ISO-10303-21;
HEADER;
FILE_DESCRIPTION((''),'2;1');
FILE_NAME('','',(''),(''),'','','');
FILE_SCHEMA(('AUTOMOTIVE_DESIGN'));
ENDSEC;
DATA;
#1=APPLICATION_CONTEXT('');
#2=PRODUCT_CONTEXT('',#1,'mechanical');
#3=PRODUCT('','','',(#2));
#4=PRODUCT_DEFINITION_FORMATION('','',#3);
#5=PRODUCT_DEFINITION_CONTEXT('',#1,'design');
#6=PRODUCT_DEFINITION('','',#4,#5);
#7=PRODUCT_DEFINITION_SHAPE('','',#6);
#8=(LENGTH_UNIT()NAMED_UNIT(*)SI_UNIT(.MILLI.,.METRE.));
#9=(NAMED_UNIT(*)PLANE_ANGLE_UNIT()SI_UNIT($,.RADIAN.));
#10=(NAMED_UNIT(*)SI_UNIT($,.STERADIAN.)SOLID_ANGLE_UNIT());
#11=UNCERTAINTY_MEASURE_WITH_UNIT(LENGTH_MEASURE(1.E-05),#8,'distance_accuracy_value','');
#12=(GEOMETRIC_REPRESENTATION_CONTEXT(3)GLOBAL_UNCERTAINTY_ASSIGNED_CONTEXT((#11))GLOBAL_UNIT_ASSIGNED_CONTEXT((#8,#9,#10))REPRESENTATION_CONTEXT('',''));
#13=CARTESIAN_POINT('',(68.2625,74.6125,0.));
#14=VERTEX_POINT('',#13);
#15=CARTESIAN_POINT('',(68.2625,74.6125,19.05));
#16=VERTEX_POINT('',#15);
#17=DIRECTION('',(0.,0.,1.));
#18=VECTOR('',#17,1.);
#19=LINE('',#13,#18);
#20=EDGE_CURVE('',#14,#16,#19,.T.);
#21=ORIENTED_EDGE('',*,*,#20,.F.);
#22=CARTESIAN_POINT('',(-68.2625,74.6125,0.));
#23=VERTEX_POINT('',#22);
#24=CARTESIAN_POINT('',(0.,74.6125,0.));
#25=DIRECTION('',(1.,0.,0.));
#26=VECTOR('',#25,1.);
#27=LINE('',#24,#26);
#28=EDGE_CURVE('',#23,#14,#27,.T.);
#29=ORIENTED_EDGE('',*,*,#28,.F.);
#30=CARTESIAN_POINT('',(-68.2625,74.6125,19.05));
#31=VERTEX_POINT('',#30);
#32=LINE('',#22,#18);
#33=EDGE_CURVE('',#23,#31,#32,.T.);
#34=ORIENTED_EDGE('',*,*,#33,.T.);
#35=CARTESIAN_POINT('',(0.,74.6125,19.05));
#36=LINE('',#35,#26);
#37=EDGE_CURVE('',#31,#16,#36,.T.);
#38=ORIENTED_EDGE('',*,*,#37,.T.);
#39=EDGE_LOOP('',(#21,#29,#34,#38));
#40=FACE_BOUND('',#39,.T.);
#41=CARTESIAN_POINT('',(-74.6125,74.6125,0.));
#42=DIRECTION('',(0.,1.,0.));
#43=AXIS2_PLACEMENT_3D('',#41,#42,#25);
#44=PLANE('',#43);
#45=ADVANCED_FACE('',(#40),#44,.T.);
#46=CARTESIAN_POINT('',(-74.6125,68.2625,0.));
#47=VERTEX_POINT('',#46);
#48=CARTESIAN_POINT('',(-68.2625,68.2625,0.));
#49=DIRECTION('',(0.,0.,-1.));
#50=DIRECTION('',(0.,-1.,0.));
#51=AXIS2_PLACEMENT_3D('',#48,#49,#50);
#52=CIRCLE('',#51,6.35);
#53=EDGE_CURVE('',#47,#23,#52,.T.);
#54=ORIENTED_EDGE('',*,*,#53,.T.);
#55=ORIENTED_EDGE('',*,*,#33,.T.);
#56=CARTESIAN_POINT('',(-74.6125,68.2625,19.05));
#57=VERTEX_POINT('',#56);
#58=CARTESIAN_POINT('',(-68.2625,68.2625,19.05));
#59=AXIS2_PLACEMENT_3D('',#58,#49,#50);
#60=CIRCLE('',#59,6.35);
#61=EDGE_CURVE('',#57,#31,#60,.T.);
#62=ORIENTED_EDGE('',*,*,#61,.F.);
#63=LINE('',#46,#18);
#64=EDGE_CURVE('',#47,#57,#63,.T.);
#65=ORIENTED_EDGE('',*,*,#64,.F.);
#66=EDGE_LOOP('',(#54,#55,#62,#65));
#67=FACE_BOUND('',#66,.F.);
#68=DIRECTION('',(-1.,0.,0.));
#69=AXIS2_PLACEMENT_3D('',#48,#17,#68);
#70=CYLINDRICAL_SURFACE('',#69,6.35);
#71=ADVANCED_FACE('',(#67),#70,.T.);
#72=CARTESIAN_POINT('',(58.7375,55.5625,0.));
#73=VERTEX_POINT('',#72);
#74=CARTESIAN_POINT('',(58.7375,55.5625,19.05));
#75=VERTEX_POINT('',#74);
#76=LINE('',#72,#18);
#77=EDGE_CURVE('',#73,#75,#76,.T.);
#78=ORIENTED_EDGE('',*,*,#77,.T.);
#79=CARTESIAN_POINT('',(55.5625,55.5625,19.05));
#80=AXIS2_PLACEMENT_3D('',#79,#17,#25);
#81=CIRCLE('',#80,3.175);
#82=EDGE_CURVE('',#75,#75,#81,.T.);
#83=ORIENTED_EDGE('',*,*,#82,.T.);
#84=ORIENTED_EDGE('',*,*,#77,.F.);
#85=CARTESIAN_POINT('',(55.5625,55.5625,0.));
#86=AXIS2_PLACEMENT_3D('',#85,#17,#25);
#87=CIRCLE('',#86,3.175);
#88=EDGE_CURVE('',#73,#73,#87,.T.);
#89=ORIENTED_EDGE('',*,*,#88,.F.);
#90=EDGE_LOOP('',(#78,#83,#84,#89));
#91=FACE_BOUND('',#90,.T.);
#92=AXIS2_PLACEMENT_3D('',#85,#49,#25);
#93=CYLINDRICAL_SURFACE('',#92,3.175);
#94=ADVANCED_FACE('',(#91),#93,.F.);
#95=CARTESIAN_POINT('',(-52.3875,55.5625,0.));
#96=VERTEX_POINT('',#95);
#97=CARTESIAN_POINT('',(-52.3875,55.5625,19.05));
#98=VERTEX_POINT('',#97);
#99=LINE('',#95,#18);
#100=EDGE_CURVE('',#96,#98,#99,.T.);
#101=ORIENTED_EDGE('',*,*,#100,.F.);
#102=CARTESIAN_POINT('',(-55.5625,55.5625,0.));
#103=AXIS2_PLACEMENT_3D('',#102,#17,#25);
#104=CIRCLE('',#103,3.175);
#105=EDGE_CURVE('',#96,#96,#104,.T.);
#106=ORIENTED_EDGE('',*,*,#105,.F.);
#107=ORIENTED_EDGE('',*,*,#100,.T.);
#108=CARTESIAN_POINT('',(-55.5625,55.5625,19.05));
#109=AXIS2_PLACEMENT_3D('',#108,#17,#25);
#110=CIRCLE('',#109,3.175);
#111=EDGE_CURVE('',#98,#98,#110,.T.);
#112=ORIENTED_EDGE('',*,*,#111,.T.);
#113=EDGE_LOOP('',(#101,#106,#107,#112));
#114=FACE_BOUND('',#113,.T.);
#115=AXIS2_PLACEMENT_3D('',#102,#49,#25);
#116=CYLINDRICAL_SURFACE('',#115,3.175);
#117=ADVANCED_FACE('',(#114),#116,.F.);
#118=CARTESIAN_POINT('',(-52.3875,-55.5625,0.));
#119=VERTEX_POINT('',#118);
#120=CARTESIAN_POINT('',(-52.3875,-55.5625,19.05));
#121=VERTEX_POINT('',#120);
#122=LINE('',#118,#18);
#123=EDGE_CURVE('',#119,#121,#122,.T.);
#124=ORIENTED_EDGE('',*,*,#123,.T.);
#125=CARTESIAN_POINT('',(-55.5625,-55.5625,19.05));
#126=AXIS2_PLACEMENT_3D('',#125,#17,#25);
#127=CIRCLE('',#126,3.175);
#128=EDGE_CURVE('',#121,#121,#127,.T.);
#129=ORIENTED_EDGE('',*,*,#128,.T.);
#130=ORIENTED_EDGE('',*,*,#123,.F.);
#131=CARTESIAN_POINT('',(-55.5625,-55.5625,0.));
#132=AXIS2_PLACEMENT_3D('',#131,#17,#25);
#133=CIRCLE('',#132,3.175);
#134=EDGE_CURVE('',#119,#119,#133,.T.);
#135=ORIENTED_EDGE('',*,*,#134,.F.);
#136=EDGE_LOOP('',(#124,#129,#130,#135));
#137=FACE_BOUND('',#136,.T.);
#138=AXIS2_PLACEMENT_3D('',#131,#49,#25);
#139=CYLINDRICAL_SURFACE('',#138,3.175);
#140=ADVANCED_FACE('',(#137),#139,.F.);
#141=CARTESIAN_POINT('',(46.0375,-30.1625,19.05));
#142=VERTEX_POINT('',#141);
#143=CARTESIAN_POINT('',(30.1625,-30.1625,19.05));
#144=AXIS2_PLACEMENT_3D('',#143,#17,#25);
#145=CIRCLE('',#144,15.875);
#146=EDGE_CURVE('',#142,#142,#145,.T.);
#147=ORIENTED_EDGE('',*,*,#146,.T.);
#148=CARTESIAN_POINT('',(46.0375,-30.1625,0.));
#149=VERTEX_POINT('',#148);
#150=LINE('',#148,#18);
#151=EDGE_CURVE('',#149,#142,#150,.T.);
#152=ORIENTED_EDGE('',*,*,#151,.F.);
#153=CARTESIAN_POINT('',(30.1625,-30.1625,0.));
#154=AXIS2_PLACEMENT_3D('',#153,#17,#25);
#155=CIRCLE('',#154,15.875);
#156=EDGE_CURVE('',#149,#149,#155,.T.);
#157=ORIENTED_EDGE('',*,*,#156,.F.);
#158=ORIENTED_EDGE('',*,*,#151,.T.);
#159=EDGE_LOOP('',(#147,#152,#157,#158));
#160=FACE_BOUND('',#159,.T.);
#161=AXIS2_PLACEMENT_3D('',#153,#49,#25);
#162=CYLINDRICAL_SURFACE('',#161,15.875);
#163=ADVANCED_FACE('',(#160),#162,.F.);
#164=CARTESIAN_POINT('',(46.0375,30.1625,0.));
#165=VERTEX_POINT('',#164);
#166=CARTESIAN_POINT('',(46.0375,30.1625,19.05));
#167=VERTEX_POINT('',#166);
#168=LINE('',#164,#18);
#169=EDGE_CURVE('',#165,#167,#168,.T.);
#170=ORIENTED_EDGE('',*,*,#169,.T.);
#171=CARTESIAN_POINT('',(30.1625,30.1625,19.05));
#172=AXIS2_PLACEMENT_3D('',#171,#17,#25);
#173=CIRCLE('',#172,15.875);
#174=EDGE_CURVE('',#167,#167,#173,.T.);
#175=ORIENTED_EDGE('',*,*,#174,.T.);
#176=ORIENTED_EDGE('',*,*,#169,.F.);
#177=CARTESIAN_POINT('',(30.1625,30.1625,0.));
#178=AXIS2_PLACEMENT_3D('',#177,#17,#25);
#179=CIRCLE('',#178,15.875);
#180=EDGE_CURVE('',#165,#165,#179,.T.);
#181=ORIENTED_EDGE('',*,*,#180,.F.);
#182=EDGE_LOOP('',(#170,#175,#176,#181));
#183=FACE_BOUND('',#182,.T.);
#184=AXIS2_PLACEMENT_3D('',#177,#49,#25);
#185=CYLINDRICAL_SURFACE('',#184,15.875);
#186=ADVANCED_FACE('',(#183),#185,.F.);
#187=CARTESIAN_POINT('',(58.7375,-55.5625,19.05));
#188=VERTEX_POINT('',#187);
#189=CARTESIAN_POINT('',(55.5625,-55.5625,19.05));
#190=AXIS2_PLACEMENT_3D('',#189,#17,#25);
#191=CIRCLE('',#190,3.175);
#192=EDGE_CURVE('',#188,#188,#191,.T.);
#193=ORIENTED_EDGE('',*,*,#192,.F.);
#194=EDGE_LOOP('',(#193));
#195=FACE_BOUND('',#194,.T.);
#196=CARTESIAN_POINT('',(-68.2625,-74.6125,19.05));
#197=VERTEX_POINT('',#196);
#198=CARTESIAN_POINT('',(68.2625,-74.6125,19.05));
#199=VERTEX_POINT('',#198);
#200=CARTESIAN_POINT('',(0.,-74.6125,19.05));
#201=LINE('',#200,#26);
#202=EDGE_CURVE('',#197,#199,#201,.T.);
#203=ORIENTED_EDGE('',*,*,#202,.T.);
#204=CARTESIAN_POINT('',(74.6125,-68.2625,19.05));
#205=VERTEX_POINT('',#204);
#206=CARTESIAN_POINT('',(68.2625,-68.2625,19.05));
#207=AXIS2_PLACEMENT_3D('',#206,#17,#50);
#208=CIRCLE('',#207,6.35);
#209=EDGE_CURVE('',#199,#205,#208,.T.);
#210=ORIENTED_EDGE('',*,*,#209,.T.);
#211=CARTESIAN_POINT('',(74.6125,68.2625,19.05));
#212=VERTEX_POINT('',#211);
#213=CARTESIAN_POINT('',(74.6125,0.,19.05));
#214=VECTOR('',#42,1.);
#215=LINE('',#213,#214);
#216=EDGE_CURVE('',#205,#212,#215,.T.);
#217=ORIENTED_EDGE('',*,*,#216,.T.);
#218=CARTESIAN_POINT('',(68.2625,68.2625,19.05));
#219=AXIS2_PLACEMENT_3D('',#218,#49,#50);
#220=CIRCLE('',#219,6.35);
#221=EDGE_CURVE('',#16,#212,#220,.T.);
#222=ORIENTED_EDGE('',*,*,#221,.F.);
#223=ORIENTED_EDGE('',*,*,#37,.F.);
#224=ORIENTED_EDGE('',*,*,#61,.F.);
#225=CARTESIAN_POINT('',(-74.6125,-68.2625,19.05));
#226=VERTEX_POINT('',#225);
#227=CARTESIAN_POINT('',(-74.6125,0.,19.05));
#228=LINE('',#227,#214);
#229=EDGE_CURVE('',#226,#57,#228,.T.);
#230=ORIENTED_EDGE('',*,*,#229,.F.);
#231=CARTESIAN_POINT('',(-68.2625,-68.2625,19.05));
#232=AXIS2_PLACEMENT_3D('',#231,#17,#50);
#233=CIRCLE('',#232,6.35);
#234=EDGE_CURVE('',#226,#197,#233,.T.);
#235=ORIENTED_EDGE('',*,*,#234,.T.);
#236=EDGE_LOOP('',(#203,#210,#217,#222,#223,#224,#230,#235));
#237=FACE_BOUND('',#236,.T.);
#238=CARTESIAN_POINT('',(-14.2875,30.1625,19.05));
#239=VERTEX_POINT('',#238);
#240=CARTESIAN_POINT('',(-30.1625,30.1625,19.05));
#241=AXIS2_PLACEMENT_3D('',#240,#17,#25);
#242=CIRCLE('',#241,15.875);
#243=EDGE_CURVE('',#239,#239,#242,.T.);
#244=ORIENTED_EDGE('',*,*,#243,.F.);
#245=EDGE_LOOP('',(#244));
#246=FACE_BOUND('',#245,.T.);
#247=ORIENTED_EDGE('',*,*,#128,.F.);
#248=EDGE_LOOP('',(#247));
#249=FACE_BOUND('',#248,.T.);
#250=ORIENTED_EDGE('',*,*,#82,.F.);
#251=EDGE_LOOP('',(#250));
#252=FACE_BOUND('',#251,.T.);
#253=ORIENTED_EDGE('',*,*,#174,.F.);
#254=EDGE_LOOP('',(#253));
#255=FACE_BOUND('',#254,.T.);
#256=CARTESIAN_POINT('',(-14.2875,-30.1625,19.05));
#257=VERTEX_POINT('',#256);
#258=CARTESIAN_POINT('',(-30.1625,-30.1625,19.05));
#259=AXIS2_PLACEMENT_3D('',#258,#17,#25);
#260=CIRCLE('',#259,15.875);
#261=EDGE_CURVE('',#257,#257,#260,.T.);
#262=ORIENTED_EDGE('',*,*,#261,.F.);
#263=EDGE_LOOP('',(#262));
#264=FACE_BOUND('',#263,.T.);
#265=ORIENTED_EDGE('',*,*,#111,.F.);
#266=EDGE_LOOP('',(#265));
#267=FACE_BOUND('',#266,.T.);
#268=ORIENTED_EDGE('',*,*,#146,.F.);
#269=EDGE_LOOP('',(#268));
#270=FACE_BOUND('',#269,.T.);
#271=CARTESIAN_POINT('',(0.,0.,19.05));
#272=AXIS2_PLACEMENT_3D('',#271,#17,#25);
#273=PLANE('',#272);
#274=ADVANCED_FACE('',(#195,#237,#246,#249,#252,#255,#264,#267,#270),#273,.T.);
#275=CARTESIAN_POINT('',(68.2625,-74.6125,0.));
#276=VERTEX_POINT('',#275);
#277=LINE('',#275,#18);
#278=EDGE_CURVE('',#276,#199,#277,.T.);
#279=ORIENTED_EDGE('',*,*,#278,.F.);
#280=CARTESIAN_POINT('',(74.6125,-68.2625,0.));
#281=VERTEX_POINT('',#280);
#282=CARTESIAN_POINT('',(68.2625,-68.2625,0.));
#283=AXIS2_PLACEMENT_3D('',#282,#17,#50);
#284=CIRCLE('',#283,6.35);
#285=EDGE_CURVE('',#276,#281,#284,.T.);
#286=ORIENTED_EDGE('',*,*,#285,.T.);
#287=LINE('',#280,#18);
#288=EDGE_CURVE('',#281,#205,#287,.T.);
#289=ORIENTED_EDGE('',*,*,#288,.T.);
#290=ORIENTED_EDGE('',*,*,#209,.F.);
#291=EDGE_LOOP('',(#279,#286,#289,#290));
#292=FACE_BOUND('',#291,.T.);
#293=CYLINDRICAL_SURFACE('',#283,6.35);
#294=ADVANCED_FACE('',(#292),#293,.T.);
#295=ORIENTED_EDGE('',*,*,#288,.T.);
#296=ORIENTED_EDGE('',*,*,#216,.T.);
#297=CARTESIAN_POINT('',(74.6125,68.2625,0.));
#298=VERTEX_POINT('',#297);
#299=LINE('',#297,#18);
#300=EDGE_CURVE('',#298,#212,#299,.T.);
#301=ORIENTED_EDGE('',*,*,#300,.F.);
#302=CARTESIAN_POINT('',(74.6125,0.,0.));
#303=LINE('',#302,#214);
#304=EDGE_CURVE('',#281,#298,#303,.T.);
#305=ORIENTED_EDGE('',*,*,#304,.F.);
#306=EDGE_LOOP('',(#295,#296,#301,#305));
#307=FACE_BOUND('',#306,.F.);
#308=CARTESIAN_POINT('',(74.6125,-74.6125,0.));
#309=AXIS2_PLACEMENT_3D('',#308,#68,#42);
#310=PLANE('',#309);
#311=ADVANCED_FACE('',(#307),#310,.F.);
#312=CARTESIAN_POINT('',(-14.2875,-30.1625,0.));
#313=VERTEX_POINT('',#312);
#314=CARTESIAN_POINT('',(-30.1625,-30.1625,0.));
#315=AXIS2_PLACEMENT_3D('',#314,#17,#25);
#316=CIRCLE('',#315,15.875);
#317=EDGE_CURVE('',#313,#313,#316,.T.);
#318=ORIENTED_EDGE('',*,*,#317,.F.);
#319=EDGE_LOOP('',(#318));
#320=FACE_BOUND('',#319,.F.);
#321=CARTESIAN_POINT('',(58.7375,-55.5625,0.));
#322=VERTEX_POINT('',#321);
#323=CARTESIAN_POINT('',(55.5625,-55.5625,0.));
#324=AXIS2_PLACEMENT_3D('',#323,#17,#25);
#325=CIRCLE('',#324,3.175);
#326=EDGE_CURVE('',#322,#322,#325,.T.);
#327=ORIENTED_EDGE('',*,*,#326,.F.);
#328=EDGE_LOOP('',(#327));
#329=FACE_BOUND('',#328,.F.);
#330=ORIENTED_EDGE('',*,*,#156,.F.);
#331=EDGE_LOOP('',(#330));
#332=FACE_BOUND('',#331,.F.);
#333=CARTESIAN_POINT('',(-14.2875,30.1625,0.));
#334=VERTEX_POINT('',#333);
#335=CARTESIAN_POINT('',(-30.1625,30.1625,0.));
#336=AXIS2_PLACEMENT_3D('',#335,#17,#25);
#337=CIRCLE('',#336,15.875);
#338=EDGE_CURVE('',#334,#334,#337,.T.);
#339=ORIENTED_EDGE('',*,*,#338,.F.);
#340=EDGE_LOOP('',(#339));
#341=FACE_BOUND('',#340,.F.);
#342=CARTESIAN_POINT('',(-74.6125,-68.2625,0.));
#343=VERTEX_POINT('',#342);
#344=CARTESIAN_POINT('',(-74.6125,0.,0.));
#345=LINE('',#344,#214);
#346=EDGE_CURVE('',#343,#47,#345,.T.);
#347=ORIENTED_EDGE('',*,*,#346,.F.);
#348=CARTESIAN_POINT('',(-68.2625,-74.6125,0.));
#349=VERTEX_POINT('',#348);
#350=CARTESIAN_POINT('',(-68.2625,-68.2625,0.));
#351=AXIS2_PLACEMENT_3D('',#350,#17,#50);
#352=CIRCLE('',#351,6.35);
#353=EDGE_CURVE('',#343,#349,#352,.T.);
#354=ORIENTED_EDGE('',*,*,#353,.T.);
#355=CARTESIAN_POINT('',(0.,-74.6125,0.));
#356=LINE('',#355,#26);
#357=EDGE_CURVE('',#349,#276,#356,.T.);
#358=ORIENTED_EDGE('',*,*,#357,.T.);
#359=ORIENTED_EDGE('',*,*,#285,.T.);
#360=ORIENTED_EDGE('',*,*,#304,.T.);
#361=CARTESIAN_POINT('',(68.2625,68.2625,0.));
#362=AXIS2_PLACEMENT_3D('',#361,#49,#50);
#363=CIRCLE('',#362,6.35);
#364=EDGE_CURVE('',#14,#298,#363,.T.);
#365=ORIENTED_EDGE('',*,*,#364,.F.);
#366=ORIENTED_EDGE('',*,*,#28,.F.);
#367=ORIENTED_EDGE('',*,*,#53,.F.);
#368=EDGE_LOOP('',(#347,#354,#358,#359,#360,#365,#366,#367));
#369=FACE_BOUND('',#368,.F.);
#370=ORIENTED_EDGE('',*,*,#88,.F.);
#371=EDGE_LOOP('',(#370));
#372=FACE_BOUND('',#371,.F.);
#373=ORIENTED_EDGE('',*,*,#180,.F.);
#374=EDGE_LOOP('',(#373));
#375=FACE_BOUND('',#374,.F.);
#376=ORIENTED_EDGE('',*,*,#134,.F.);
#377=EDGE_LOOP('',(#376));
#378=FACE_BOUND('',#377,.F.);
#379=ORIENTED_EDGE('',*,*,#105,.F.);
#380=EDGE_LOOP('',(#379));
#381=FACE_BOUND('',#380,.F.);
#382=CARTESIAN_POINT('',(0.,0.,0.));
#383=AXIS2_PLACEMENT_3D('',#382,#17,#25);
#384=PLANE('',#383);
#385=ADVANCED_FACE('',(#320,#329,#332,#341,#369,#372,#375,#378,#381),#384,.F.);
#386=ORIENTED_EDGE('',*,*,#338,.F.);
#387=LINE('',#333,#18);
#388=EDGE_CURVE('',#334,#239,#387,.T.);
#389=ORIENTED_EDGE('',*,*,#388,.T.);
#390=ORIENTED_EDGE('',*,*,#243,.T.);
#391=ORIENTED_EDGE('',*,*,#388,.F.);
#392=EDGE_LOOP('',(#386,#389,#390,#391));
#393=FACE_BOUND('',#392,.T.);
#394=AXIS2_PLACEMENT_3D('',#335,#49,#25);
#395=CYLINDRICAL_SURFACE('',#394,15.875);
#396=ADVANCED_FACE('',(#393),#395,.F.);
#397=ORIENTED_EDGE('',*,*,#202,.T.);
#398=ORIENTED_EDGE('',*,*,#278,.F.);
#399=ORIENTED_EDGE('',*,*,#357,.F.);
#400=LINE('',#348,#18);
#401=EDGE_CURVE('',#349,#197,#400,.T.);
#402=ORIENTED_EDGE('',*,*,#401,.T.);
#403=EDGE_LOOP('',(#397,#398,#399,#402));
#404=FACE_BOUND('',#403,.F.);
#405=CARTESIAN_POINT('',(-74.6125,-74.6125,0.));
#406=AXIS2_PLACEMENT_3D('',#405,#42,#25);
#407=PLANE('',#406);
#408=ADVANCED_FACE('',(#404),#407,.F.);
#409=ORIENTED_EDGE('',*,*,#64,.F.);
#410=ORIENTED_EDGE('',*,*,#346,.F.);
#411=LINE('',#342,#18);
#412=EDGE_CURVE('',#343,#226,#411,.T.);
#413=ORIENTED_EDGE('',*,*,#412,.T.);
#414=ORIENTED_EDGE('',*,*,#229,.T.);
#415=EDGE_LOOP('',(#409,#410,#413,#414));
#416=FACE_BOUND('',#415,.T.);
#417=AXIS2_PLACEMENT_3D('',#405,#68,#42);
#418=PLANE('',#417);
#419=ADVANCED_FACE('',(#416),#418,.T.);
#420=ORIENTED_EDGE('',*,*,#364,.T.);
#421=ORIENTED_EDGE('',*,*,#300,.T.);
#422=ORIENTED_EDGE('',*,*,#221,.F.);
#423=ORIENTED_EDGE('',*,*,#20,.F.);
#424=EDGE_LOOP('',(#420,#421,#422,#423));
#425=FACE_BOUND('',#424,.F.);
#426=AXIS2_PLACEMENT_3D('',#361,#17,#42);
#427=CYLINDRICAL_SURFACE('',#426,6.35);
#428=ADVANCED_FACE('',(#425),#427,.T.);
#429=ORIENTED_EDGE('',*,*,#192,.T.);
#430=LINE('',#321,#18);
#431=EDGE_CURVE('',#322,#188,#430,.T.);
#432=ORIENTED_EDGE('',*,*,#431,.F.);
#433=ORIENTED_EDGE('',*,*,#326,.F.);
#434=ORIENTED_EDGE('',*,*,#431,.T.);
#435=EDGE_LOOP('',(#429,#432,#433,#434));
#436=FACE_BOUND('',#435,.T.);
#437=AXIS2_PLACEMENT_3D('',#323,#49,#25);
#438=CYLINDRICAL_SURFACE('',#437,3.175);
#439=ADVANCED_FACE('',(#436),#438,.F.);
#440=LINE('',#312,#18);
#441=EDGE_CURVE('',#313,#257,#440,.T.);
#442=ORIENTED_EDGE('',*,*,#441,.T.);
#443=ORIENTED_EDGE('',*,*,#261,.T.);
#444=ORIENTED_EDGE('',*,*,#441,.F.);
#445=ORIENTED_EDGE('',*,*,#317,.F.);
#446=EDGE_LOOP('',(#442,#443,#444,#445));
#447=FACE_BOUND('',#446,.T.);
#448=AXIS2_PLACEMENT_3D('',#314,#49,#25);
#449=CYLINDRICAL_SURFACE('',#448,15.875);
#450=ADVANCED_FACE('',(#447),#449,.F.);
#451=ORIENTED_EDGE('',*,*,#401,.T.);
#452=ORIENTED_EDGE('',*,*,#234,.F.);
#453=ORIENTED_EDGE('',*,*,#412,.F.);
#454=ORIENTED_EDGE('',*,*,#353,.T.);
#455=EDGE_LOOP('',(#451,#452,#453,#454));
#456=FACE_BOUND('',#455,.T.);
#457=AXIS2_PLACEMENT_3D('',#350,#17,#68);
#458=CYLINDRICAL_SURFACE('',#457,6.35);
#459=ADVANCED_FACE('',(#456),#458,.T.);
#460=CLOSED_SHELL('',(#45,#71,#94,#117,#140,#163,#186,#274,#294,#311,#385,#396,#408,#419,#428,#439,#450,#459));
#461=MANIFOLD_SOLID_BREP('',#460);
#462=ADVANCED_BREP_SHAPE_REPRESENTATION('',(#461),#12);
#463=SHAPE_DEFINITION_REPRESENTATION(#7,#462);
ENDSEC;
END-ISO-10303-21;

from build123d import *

# Parameters (mm, degrees)
F0_W     = 149.225
F0_H     = 149.225
F0_R     = 3.175
F0_R_2   = 15.875
F1_DEPTH = 19.05
F2_R     = 6.35


with BuildPart() as f1:
    # F0 (on Top) → F1 (new body)
    with BuildSketch(Plane.XY):
        Rectangle(F0_W, F0_H)
        with Locations((-55.5625, -55.5625)):
            Circle(F0_R, mode=Mode.SUBTRACT)
        with Locations((-30.1625, -30.1625)):
            Circle(F0_R_2, mode=Mode.SUBTRACT)
        with Locations((55.5625, -55.5625)):
            Circle(F0_R, mode=Mode.SUBTRACT)
        with Locations((30.1625, -30.1625)):
            Circle(F0_R_2, mode=Mode.SUBTRACT)
        with Locations((-30.1625, 30.1625)):
            Circle(F0_R_2, mode=Mode.SUBTRACT)
        with Locations((-55.5625, 55.5625)):
            Circle(F0_R, mode=Mode.SUBTRACT)
        with Locations((30.1625, 30.1625)):
            Circle(F0_R_2, mode=Mode.SUBTRACT)
        with Locations((55.5625, 55.5625)):
            Circle(F0_R, mode=Mode.SUBTRACT)
    extrude(amount=F1_DEPTH)

    # F2
    f2_edges = [f1.edges().sort_by_distance(p)[0] for p in [
        (-74.6125, 74.6125, 9.525),
        (74.6125, 74.6125, 9.525),
        (74.6125, -74.6125, 9.525),
        (-74.6125, -74.6125, 9.525),
    ]]
    fillet(f2_edges, radius=F2_R)


solid = f1.part
